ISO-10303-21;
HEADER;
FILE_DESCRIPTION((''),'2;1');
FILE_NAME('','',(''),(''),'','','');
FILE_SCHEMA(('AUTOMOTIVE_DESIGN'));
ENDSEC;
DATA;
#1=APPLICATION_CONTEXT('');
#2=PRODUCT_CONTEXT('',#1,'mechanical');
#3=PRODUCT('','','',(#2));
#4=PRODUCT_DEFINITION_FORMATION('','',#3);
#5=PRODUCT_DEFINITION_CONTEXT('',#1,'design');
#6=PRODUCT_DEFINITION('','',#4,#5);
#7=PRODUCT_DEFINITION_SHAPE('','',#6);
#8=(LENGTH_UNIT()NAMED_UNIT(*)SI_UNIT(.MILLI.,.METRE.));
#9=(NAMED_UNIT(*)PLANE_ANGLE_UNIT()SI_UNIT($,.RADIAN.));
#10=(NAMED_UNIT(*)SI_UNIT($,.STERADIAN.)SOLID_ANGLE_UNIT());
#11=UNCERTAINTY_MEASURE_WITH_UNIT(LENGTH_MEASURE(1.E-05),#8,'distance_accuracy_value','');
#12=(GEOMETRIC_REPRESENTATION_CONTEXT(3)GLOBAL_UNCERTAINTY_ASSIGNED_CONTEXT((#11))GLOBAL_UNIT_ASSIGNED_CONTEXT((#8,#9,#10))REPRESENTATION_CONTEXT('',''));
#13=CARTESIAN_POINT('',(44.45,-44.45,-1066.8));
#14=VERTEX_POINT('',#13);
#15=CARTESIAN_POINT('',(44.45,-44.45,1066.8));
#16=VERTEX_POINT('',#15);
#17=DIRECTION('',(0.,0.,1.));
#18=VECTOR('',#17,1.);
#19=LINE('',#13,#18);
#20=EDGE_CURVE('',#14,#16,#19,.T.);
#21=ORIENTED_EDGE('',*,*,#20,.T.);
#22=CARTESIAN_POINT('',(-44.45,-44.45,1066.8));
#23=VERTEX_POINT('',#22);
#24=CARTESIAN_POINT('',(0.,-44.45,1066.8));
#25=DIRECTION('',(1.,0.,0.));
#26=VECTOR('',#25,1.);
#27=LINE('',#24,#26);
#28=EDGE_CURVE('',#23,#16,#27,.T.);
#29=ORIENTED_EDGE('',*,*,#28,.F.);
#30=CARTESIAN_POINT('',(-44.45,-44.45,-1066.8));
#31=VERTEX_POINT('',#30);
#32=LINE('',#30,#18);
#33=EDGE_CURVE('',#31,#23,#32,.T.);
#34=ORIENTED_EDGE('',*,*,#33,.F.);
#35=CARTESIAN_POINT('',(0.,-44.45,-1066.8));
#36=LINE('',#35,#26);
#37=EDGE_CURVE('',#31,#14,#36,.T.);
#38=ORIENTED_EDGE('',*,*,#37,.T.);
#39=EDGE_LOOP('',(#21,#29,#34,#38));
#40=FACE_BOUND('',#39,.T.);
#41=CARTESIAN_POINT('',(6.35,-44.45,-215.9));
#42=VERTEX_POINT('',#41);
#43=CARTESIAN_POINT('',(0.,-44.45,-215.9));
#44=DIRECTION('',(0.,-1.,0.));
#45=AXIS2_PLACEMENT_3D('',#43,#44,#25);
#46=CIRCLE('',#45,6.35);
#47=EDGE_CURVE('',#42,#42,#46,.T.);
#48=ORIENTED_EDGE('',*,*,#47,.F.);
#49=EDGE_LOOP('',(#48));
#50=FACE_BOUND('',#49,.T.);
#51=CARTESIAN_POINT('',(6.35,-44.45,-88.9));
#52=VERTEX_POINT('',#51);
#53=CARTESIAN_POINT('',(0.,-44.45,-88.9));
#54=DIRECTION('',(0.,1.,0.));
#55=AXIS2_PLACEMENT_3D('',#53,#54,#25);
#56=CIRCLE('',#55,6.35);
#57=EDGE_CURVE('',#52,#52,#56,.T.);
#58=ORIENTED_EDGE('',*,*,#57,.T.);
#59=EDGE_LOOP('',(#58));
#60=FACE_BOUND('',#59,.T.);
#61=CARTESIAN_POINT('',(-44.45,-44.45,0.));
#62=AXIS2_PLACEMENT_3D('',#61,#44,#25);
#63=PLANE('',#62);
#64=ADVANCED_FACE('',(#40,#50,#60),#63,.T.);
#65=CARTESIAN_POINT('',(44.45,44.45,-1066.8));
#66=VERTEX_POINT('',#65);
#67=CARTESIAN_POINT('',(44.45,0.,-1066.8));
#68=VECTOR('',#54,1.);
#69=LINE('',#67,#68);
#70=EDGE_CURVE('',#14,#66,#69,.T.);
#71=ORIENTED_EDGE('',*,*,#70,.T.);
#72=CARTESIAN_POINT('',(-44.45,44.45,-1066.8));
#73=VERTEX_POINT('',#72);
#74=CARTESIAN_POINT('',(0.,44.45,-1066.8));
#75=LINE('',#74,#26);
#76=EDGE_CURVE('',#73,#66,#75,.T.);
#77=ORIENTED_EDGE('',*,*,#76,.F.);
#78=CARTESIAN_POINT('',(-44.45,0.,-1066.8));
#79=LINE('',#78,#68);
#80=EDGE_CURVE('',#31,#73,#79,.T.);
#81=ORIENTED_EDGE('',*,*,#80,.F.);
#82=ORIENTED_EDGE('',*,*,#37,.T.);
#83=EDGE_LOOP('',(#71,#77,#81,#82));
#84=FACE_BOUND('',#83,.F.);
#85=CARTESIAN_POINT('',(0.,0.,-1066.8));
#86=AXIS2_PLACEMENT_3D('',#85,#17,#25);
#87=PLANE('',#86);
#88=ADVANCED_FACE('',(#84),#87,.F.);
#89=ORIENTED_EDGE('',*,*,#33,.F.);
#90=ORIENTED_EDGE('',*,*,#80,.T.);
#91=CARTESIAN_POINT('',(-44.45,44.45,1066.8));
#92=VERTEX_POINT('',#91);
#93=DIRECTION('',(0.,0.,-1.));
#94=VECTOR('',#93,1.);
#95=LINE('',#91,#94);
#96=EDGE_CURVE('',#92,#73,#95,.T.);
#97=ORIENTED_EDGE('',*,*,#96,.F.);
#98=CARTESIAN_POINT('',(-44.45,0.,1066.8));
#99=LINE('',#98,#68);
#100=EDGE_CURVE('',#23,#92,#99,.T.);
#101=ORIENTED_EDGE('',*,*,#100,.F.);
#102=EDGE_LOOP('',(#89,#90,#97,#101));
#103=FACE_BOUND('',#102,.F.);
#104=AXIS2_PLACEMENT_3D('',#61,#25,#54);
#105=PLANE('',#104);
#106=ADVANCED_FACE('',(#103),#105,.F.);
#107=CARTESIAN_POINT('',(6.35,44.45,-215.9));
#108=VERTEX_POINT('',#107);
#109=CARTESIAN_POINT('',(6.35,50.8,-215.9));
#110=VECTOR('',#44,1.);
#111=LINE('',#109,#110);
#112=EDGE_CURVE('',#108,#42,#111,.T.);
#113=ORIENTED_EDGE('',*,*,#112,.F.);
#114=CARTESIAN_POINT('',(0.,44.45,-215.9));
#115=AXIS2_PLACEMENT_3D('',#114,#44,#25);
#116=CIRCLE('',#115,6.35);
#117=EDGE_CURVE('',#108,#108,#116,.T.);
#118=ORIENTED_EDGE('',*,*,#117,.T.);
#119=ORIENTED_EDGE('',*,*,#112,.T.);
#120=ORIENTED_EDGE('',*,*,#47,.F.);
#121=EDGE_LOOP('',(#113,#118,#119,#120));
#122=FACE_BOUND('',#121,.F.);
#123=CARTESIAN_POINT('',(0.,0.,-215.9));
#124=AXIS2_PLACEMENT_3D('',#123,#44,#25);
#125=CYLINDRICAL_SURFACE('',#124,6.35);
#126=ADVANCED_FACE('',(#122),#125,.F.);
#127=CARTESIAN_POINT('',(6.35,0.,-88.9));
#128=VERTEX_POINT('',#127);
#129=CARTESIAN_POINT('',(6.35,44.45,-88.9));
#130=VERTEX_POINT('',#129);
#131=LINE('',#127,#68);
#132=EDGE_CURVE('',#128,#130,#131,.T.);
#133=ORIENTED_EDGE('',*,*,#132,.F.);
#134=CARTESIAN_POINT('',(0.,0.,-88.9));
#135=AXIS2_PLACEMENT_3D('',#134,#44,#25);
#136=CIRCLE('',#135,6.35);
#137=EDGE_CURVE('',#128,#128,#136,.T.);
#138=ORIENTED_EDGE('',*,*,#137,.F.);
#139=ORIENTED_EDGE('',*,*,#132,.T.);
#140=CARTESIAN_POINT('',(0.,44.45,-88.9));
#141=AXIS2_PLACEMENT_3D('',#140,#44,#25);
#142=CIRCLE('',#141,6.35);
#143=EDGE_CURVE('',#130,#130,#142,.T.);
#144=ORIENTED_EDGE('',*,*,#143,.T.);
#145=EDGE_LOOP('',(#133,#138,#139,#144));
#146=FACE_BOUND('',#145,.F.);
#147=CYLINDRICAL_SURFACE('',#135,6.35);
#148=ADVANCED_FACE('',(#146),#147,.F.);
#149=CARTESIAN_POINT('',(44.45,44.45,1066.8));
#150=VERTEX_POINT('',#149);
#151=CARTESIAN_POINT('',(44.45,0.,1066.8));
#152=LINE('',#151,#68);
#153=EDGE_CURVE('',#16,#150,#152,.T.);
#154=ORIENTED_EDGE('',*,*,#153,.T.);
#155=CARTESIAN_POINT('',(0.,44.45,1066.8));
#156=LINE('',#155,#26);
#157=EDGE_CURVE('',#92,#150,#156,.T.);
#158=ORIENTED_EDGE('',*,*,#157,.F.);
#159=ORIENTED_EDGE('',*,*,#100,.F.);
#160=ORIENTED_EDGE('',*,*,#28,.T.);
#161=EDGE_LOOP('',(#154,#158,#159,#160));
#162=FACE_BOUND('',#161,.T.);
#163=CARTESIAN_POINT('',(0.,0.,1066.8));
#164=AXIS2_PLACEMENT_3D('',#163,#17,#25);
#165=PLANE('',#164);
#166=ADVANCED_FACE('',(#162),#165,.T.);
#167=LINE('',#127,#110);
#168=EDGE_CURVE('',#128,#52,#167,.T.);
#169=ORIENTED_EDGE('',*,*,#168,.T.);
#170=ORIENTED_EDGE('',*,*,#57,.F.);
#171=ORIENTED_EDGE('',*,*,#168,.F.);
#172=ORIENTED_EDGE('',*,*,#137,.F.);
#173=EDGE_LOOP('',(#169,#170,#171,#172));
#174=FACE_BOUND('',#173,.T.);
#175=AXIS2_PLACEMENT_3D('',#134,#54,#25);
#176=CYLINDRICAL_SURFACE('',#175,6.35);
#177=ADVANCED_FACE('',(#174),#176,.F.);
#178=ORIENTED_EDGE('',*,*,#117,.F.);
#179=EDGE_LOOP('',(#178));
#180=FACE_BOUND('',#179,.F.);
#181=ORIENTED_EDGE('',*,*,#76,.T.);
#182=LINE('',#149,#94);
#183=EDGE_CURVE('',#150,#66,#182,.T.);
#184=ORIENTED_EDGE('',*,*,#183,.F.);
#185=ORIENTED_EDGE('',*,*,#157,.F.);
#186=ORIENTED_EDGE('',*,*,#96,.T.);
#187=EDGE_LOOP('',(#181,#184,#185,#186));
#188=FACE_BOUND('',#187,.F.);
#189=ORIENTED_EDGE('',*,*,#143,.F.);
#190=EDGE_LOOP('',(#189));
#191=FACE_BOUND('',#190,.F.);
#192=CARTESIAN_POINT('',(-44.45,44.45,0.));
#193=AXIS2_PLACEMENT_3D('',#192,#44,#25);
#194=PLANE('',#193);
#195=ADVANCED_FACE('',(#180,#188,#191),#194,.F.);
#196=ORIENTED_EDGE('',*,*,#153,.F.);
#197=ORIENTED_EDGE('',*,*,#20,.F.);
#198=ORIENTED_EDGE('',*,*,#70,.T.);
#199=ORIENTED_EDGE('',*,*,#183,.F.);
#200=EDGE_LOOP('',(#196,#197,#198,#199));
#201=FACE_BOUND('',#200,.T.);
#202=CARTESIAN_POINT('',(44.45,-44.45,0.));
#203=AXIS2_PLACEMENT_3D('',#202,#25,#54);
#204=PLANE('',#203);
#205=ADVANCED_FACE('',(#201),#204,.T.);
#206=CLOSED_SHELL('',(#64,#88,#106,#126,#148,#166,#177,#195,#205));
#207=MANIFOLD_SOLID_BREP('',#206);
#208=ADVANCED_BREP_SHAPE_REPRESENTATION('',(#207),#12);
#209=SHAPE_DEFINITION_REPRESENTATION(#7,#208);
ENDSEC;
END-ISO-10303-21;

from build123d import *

# Parameters (mm, degrees)
F0_W     = 88.9
F0_H     = 88.9
F1_DEPTH = 1066.8
F2_R     = 6.35
F3_DEPTH = 50.8


with BuildPart() as f1:
    # F0 (on Top) → F1 (new body, symmetric)
    with BuildSketch(Plane.XY):
        Rectangle(F0_W, F0_H)
    extrude(amount=F1_DEPTH, both=True)

    # F2 (on Front) → F3 (cut, symmetric)
    with BuildSketch(Plane.XZ):
        with Locations((0, -88.9)):
            Circle(F2_R)
        with Locations((0, -215.9)):
            Circle(F2_R)
    extrude(amount=F3_DEPTH, both=True, mode=Mode.SUBTRACT)


solid = f1.part
